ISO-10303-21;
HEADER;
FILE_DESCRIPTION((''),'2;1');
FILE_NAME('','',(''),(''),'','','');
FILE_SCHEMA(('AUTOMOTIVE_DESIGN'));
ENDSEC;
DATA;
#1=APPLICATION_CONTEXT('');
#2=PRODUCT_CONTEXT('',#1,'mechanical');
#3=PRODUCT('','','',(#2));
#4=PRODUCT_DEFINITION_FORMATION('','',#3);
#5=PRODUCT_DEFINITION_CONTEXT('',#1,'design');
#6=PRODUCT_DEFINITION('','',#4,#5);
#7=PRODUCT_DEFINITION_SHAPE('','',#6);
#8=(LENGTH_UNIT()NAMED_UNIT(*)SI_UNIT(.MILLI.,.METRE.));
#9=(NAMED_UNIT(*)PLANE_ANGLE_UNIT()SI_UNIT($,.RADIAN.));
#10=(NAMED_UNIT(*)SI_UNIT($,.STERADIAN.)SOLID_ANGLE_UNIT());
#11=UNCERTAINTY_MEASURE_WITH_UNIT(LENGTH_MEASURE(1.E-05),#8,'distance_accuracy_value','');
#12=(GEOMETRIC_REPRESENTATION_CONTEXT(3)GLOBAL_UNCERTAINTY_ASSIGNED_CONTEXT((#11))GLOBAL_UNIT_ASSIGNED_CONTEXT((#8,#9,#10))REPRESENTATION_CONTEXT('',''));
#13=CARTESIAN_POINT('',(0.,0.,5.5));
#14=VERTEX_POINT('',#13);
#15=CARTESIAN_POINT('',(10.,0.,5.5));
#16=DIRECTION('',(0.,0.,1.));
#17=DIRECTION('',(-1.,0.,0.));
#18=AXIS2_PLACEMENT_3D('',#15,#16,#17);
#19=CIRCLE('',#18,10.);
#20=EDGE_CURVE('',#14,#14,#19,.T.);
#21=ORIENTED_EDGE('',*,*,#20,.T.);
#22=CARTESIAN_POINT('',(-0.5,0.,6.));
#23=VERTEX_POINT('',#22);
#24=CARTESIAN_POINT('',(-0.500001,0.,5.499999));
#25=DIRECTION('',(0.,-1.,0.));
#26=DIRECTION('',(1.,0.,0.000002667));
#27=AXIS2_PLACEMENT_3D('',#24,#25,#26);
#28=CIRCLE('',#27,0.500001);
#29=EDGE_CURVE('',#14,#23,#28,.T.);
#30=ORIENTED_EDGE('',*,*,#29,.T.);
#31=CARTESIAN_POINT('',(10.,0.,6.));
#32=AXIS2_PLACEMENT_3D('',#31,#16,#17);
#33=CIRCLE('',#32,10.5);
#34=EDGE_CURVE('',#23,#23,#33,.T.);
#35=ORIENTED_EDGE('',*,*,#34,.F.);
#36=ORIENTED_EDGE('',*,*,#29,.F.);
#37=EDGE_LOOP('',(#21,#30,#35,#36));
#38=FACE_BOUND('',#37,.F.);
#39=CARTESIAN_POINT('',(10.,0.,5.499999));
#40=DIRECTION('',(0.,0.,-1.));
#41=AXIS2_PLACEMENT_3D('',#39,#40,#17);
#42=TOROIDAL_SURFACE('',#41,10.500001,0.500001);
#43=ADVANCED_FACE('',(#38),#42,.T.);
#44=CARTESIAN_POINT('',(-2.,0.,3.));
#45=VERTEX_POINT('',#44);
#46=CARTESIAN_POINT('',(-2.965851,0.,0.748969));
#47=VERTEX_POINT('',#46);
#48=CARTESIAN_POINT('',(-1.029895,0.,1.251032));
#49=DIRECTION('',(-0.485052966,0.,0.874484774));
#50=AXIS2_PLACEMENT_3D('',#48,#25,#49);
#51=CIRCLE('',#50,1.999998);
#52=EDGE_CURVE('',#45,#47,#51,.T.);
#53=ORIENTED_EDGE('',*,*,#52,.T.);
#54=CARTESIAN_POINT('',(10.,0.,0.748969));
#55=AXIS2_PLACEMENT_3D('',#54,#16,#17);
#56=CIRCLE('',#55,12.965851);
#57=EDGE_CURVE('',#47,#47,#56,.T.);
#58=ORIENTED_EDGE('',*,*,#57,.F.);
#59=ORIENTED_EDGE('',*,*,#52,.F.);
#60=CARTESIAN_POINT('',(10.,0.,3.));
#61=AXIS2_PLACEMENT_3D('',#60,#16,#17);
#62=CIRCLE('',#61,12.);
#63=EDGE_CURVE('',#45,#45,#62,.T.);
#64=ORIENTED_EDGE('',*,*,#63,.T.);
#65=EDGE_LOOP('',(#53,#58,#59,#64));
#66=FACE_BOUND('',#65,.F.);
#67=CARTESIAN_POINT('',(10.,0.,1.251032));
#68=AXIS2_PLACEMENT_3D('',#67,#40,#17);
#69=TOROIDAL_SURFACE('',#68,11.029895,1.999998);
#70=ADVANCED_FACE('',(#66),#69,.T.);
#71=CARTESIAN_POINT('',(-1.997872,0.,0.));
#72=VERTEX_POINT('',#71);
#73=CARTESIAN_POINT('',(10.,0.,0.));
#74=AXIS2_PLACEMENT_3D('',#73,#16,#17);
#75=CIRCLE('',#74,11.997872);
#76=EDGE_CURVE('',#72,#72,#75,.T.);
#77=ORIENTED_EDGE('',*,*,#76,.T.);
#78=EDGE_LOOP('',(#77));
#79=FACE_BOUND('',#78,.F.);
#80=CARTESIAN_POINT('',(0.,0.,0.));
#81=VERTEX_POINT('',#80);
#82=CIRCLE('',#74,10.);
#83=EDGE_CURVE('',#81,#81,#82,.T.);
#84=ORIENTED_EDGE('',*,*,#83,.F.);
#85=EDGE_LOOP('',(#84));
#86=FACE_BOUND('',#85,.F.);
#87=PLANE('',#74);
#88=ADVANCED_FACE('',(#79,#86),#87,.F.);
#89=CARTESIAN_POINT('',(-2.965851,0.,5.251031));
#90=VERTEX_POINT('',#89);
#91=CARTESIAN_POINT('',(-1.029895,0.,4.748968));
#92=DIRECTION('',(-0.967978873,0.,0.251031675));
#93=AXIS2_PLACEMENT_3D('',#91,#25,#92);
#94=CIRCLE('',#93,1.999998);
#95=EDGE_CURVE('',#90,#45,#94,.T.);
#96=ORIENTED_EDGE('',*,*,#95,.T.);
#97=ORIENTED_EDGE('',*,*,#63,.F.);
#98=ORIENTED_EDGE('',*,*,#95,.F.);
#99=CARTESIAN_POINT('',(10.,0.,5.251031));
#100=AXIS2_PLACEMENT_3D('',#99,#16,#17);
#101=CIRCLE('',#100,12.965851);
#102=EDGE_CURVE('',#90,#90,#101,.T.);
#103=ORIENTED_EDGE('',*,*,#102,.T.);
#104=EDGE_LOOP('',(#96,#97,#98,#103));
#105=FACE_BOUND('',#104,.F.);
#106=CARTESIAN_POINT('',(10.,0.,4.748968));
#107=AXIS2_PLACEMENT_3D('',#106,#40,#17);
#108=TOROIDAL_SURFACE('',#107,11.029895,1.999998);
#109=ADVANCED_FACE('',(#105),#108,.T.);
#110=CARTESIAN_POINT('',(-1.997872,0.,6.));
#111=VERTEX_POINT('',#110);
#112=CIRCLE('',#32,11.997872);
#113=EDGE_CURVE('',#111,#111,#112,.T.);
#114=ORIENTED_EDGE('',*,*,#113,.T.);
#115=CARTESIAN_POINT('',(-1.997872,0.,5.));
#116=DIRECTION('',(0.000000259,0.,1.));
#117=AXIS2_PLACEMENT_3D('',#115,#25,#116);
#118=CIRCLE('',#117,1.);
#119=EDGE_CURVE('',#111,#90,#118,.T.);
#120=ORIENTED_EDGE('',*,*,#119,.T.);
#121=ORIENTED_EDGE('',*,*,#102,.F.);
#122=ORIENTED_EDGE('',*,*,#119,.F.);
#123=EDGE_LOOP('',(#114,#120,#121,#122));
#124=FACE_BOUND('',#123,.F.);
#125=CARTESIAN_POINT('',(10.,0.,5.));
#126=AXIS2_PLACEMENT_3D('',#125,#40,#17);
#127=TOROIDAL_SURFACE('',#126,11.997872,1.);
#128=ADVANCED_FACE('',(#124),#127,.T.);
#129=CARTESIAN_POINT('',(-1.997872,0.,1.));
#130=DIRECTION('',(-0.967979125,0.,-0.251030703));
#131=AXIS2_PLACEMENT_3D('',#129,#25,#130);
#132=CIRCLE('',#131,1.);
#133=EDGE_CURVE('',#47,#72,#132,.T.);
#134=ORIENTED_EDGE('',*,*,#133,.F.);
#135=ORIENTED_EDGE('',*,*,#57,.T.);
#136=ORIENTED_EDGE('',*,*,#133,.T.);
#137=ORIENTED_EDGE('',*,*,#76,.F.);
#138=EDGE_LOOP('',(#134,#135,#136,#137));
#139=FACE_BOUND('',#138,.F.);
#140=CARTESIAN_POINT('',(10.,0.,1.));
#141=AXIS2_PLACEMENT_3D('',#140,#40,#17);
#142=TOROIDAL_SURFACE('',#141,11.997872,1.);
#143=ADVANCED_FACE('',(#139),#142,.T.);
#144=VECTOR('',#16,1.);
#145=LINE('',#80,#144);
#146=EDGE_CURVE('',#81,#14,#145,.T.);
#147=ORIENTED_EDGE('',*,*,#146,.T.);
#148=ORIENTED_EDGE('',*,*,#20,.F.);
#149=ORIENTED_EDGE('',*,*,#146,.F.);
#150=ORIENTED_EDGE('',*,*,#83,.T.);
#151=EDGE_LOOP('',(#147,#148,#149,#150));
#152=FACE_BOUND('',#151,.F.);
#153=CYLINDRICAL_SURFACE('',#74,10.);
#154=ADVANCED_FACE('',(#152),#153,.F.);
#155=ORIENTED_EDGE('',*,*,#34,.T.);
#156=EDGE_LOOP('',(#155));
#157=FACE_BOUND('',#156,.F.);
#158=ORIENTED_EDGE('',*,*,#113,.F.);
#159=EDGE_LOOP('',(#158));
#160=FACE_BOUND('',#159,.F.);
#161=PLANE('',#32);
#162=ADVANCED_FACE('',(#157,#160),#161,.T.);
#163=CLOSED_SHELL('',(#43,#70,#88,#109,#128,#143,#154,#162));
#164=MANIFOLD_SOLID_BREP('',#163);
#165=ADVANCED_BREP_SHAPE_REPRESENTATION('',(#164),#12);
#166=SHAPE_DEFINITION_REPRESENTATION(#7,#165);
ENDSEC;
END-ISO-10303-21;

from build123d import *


with BuildPart() as f1:
    # F0 (on Front) → F1 (revolve)
    with BuildSketch(Plane.XZ):
        with BuildLine():
            Line((-1.997872, 0), (0, 0))
            Line((0, 0), (0, 3))
            Line((0, 3), (-2, 3))
            ThreePointArc((-2, 3), (-2.867851, 2.039645), (-2.965851, 0.748969))
            ThreePointArc((-2.965851, 0.748969), (-2.609824, 0.209105), (-1.997872, 0))
        make_face()
        with BuildLine():
            Line((-2, 3), (0, 3))
            Line((0, 3), (0, 5.5))
            ThreePointArc((0, 5.5), (-0.146447, 5.853553), (-0.5, 6))
            Line((-0.5, 6), (-1.997872, 6))
            ThreePointArc((-1.997872, 6), (-2.609824, 5.790895), (-2.965851, 5.251031))
            ThreePointArc((-2.965851, 5.251031), (-2.867851, 3.960355), (-2, 3))
        make_face()
    revolve(axis=Axis((10, 0, 3), (0, 0, 1)))


solid = f1.part
